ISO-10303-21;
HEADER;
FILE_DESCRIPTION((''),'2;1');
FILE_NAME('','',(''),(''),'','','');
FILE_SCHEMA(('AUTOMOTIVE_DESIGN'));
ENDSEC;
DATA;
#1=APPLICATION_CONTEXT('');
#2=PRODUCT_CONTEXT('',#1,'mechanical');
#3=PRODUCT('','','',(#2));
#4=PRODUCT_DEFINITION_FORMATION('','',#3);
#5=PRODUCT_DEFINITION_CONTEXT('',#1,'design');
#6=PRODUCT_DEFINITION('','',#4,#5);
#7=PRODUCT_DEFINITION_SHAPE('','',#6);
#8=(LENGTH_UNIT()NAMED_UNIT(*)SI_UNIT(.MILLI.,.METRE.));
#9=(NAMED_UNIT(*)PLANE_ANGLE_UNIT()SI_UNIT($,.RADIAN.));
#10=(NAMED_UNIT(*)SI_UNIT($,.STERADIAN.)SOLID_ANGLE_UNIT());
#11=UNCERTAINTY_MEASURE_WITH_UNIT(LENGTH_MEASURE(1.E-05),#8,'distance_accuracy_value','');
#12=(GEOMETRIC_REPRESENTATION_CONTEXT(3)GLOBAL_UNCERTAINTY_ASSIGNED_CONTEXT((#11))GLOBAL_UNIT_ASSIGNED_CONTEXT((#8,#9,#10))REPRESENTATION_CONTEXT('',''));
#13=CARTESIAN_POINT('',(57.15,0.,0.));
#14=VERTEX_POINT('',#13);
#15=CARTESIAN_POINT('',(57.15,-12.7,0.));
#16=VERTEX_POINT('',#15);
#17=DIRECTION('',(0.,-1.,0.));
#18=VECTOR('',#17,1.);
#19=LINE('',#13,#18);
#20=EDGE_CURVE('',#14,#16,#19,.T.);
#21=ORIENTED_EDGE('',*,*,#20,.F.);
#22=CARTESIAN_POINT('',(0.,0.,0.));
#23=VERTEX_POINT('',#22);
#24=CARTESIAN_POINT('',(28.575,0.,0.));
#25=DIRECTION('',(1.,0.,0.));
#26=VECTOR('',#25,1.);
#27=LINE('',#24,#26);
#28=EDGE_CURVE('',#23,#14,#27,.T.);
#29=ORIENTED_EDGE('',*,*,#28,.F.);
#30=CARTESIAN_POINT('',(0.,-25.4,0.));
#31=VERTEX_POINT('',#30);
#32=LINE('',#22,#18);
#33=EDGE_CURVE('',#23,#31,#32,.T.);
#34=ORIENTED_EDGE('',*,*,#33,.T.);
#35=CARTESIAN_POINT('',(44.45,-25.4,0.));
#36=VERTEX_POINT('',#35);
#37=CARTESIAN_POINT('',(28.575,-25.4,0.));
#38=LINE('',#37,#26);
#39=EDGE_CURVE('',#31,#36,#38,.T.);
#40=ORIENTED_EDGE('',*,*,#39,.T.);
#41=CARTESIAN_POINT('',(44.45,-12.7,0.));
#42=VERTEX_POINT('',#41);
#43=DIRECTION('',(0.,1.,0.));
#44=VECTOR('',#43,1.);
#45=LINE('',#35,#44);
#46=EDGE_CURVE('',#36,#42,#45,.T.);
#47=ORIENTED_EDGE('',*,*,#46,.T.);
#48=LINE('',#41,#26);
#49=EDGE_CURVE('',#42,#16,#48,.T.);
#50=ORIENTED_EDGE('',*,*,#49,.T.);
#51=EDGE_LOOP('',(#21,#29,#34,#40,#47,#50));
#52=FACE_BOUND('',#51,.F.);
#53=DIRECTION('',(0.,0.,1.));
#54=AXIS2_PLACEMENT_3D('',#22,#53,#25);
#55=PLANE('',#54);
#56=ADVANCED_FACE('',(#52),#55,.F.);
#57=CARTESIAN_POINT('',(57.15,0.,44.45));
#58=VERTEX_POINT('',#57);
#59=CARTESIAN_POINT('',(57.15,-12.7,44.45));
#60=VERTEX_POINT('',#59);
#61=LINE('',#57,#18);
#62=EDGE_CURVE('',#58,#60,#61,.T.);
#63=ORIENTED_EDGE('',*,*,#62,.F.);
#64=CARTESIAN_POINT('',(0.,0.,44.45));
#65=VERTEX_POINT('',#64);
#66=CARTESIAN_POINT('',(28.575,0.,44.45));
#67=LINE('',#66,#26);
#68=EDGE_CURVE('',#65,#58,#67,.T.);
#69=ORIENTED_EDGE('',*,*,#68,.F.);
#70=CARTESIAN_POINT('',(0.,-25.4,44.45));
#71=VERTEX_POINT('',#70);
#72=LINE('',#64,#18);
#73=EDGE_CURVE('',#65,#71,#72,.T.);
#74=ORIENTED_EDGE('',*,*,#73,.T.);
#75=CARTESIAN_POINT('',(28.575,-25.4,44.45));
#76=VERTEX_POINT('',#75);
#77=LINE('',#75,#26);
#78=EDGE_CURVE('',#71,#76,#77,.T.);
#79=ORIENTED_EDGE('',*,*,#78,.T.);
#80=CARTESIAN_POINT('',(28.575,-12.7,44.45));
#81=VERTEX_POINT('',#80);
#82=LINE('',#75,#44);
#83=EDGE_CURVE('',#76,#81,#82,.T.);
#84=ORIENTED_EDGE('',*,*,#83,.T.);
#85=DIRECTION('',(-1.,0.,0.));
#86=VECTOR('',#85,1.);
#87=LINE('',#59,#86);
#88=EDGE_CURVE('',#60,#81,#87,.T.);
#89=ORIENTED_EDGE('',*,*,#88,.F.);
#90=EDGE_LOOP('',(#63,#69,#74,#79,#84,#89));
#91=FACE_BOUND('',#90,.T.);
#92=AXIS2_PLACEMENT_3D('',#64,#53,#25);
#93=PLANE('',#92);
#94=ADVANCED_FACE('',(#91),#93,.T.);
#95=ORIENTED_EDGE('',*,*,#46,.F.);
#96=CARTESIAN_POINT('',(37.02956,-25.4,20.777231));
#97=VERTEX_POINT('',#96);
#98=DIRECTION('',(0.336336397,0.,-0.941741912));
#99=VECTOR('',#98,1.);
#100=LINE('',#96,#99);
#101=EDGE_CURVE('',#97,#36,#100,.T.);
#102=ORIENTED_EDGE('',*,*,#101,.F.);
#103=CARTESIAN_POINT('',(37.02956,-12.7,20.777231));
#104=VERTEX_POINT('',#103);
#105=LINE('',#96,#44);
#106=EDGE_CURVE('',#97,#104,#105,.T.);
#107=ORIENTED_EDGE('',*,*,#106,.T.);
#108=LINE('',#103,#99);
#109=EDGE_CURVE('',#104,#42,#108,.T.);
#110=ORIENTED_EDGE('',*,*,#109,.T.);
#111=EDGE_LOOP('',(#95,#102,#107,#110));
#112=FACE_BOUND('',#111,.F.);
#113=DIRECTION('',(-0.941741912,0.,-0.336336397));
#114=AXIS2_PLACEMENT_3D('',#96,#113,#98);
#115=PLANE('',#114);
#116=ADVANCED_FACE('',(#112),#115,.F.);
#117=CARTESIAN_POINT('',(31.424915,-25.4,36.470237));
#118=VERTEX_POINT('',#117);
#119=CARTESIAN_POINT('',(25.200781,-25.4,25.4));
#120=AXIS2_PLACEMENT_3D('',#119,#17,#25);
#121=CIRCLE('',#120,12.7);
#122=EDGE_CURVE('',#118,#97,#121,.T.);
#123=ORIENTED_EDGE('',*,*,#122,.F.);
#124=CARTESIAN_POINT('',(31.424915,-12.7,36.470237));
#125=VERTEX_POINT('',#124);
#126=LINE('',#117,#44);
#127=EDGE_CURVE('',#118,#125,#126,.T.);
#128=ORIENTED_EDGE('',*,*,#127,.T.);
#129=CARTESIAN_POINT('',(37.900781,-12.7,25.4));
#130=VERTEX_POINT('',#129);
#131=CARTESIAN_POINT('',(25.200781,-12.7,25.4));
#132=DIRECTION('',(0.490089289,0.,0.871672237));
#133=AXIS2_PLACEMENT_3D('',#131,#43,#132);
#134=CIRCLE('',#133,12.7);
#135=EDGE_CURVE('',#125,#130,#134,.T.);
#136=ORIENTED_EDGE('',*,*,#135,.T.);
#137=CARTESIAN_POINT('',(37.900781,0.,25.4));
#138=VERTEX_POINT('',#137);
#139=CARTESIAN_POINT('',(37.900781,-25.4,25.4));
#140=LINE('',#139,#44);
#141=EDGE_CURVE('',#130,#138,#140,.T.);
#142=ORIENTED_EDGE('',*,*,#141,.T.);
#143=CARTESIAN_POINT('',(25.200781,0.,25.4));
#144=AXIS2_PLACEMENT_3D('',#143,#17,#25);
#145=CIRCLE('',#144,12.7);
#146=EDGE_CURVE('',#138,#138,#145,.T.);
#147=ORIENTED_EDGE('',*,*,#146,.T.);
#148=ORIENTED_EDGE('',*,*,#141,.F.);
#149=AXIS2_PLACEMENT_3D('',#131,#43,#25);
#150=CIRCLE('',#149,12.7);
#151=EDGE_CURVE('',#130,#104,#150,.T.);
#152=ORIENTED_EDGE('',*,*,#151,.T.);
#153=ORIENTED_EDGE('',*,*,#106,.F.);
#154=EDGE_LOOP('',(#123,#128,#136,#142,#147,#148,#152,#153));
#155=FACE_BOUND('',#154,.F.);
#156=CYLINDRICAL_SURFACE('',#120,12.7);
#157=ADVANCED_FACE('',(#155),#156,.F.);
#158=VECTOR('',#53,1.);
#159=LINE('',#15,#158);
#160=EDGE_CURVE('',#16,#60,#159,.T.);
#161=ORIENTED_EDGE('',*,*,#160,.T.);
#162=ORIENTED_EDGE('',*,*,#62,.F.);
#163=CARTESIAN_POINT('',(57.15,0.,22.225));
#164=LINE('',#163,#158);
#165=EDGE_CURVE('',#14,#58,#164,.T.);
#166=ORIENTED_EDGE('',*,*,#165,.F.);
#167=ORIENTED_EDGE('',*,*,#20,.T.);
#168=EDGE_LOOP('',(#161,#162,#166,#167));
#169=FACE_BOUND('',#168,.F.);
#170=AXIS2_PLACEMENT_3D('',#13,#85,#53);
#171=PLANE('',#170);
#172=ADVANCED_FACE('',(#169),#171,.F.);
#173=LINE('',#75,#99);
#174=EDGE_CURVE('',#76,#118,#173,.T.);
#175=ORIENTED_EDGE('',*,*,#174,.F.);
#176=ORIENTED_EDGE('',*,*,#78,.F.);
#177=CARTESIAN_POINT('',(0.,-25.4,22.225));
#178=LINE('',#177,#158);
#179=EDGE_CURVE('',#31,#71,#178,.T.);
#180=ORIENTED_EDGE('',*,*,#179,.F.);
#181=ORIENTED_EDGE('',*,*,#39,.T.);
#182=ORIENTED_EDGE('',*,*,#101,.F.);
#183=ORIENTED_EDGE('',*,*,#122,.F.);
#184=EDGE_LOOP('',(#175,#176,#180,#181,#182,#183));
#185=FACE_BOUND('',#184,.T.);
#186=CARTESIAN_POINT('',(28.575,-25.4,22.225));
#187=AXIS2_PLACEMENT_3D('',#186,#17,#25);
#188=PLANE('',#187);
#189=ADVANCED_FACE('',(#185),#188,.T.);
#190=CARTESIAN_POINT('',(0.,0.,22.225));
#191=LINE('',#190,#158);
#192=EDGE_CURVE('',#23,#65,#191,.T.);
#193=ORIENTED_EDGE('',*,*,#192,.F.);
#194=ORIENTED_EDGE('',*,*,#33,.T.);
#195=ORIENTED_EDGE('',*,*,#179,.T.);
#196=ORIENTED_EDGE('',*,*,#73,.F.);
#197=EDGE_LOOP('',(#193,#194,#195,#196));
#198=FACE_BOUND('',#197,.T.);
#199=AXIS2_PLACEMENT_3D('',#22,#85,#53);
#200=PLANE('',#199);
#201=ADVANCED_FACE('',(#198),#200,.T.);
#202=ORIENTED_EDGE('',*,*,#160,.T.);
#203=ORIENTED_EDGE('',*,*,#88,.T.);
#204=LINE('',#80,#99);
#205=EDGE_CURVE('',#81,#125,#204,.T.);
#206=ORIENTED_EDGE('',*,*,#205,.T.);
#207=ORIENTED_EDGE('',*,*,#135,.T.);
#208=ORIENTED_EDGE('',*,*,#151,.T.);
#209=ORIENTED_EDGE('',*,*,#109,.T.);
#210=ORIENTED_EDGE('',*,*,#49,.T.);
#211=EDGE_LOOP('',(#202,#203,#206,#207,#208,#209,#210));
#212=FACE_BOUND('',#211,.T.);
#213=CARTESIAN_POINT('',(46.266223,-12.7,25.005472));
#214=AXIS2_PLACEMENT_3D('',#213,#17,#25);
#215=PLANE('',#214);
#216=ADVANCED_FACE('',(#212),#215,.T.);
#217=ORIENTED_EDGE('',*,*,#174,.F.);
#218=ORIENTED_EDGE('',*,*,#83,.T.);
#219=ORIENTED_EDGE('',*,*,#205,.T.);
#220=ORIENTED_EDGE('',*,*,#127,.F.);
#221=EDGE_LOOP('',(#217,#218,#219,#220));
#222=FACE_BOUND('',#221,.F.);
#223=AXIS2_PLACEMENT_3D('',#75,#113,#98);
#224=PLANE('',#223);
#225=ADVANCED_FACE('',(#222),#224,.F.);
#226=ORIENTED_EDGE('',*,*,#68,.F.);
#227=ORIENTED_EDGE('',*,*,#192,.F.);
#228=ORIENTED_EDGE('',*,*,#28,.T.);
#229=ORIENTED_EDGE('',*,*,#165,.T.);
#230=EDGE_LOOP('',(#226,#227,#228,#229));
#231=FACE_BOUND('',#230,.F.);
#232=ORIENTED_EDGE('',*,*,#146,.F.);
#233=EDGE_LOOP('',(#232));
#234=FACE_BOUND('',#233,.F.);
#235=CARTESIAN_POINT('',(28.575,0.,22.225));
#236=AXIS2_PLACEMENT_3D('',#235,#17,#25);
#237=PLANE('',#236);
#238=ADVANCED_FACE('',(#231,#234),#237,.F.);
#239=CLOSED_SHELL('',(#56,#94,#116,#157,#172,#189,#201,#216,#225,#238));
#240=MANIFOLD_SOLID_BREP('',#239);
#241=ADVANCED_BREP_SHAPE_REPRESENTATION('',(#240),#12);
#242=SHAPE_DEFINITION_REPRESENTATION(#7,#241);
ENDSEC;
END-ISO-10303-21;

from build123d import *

# Parameters (mm, degrees)
F0_W     = 57.15
F0_H     = 44.45
F1_DEPTH = 25.4
F2_R     = 12.7
F3_DEPTH = 25.401
F5_DEPTH = 12.7


with BuildPart() as f1:
    # F0 (on Front) → F1 (new body)
    with BuildSketch(Plane.XZ):
        with Locations((28.575, 22.225)):
            Rectangle(F0_W, F0_H)
    extrude(amount=F1_DEPTH)

    # F2 (on face) → F3 (cut, through all)
    with BuildSketch(Plane.XZ.offset(25.4)):
        with Locations((25.2007812379, 25.4)):
            Circle(F2_R)
    extrude(amount=-F3_DEPTH, mode=Mode.SUBTRACT)

    # F4 (on face) → F5 (cut)
    with BuildSketch(Plane.XZ.offset(25.4)):
        with BuildLine():
            Line((57.15, 44.45), (28.575, 44.45))
            Line((28.575, 44.45), (31.4249152112, 36.4702374086))
            ThreePointArc((31.4249152112, 36.4702374086), (36.1629092581, 31.8126242108), (37.9007812379, 25.4))
            ThreePointArc((37.9007812379, 25.4), (37.6810755571, 23.0479256591), (37.029560182, 20.7772314905))
            Line((37.029560182, 20.7772314905), (44.45, 0))
            Line((44.45, 0), (57.15, 0))
            Line((57.15, 0), (57.15, 44.45))
        make_face()
    extrude(amount=-F5_DEPTH, mode=Mode.SUBTRACT)


solid = f1.part
